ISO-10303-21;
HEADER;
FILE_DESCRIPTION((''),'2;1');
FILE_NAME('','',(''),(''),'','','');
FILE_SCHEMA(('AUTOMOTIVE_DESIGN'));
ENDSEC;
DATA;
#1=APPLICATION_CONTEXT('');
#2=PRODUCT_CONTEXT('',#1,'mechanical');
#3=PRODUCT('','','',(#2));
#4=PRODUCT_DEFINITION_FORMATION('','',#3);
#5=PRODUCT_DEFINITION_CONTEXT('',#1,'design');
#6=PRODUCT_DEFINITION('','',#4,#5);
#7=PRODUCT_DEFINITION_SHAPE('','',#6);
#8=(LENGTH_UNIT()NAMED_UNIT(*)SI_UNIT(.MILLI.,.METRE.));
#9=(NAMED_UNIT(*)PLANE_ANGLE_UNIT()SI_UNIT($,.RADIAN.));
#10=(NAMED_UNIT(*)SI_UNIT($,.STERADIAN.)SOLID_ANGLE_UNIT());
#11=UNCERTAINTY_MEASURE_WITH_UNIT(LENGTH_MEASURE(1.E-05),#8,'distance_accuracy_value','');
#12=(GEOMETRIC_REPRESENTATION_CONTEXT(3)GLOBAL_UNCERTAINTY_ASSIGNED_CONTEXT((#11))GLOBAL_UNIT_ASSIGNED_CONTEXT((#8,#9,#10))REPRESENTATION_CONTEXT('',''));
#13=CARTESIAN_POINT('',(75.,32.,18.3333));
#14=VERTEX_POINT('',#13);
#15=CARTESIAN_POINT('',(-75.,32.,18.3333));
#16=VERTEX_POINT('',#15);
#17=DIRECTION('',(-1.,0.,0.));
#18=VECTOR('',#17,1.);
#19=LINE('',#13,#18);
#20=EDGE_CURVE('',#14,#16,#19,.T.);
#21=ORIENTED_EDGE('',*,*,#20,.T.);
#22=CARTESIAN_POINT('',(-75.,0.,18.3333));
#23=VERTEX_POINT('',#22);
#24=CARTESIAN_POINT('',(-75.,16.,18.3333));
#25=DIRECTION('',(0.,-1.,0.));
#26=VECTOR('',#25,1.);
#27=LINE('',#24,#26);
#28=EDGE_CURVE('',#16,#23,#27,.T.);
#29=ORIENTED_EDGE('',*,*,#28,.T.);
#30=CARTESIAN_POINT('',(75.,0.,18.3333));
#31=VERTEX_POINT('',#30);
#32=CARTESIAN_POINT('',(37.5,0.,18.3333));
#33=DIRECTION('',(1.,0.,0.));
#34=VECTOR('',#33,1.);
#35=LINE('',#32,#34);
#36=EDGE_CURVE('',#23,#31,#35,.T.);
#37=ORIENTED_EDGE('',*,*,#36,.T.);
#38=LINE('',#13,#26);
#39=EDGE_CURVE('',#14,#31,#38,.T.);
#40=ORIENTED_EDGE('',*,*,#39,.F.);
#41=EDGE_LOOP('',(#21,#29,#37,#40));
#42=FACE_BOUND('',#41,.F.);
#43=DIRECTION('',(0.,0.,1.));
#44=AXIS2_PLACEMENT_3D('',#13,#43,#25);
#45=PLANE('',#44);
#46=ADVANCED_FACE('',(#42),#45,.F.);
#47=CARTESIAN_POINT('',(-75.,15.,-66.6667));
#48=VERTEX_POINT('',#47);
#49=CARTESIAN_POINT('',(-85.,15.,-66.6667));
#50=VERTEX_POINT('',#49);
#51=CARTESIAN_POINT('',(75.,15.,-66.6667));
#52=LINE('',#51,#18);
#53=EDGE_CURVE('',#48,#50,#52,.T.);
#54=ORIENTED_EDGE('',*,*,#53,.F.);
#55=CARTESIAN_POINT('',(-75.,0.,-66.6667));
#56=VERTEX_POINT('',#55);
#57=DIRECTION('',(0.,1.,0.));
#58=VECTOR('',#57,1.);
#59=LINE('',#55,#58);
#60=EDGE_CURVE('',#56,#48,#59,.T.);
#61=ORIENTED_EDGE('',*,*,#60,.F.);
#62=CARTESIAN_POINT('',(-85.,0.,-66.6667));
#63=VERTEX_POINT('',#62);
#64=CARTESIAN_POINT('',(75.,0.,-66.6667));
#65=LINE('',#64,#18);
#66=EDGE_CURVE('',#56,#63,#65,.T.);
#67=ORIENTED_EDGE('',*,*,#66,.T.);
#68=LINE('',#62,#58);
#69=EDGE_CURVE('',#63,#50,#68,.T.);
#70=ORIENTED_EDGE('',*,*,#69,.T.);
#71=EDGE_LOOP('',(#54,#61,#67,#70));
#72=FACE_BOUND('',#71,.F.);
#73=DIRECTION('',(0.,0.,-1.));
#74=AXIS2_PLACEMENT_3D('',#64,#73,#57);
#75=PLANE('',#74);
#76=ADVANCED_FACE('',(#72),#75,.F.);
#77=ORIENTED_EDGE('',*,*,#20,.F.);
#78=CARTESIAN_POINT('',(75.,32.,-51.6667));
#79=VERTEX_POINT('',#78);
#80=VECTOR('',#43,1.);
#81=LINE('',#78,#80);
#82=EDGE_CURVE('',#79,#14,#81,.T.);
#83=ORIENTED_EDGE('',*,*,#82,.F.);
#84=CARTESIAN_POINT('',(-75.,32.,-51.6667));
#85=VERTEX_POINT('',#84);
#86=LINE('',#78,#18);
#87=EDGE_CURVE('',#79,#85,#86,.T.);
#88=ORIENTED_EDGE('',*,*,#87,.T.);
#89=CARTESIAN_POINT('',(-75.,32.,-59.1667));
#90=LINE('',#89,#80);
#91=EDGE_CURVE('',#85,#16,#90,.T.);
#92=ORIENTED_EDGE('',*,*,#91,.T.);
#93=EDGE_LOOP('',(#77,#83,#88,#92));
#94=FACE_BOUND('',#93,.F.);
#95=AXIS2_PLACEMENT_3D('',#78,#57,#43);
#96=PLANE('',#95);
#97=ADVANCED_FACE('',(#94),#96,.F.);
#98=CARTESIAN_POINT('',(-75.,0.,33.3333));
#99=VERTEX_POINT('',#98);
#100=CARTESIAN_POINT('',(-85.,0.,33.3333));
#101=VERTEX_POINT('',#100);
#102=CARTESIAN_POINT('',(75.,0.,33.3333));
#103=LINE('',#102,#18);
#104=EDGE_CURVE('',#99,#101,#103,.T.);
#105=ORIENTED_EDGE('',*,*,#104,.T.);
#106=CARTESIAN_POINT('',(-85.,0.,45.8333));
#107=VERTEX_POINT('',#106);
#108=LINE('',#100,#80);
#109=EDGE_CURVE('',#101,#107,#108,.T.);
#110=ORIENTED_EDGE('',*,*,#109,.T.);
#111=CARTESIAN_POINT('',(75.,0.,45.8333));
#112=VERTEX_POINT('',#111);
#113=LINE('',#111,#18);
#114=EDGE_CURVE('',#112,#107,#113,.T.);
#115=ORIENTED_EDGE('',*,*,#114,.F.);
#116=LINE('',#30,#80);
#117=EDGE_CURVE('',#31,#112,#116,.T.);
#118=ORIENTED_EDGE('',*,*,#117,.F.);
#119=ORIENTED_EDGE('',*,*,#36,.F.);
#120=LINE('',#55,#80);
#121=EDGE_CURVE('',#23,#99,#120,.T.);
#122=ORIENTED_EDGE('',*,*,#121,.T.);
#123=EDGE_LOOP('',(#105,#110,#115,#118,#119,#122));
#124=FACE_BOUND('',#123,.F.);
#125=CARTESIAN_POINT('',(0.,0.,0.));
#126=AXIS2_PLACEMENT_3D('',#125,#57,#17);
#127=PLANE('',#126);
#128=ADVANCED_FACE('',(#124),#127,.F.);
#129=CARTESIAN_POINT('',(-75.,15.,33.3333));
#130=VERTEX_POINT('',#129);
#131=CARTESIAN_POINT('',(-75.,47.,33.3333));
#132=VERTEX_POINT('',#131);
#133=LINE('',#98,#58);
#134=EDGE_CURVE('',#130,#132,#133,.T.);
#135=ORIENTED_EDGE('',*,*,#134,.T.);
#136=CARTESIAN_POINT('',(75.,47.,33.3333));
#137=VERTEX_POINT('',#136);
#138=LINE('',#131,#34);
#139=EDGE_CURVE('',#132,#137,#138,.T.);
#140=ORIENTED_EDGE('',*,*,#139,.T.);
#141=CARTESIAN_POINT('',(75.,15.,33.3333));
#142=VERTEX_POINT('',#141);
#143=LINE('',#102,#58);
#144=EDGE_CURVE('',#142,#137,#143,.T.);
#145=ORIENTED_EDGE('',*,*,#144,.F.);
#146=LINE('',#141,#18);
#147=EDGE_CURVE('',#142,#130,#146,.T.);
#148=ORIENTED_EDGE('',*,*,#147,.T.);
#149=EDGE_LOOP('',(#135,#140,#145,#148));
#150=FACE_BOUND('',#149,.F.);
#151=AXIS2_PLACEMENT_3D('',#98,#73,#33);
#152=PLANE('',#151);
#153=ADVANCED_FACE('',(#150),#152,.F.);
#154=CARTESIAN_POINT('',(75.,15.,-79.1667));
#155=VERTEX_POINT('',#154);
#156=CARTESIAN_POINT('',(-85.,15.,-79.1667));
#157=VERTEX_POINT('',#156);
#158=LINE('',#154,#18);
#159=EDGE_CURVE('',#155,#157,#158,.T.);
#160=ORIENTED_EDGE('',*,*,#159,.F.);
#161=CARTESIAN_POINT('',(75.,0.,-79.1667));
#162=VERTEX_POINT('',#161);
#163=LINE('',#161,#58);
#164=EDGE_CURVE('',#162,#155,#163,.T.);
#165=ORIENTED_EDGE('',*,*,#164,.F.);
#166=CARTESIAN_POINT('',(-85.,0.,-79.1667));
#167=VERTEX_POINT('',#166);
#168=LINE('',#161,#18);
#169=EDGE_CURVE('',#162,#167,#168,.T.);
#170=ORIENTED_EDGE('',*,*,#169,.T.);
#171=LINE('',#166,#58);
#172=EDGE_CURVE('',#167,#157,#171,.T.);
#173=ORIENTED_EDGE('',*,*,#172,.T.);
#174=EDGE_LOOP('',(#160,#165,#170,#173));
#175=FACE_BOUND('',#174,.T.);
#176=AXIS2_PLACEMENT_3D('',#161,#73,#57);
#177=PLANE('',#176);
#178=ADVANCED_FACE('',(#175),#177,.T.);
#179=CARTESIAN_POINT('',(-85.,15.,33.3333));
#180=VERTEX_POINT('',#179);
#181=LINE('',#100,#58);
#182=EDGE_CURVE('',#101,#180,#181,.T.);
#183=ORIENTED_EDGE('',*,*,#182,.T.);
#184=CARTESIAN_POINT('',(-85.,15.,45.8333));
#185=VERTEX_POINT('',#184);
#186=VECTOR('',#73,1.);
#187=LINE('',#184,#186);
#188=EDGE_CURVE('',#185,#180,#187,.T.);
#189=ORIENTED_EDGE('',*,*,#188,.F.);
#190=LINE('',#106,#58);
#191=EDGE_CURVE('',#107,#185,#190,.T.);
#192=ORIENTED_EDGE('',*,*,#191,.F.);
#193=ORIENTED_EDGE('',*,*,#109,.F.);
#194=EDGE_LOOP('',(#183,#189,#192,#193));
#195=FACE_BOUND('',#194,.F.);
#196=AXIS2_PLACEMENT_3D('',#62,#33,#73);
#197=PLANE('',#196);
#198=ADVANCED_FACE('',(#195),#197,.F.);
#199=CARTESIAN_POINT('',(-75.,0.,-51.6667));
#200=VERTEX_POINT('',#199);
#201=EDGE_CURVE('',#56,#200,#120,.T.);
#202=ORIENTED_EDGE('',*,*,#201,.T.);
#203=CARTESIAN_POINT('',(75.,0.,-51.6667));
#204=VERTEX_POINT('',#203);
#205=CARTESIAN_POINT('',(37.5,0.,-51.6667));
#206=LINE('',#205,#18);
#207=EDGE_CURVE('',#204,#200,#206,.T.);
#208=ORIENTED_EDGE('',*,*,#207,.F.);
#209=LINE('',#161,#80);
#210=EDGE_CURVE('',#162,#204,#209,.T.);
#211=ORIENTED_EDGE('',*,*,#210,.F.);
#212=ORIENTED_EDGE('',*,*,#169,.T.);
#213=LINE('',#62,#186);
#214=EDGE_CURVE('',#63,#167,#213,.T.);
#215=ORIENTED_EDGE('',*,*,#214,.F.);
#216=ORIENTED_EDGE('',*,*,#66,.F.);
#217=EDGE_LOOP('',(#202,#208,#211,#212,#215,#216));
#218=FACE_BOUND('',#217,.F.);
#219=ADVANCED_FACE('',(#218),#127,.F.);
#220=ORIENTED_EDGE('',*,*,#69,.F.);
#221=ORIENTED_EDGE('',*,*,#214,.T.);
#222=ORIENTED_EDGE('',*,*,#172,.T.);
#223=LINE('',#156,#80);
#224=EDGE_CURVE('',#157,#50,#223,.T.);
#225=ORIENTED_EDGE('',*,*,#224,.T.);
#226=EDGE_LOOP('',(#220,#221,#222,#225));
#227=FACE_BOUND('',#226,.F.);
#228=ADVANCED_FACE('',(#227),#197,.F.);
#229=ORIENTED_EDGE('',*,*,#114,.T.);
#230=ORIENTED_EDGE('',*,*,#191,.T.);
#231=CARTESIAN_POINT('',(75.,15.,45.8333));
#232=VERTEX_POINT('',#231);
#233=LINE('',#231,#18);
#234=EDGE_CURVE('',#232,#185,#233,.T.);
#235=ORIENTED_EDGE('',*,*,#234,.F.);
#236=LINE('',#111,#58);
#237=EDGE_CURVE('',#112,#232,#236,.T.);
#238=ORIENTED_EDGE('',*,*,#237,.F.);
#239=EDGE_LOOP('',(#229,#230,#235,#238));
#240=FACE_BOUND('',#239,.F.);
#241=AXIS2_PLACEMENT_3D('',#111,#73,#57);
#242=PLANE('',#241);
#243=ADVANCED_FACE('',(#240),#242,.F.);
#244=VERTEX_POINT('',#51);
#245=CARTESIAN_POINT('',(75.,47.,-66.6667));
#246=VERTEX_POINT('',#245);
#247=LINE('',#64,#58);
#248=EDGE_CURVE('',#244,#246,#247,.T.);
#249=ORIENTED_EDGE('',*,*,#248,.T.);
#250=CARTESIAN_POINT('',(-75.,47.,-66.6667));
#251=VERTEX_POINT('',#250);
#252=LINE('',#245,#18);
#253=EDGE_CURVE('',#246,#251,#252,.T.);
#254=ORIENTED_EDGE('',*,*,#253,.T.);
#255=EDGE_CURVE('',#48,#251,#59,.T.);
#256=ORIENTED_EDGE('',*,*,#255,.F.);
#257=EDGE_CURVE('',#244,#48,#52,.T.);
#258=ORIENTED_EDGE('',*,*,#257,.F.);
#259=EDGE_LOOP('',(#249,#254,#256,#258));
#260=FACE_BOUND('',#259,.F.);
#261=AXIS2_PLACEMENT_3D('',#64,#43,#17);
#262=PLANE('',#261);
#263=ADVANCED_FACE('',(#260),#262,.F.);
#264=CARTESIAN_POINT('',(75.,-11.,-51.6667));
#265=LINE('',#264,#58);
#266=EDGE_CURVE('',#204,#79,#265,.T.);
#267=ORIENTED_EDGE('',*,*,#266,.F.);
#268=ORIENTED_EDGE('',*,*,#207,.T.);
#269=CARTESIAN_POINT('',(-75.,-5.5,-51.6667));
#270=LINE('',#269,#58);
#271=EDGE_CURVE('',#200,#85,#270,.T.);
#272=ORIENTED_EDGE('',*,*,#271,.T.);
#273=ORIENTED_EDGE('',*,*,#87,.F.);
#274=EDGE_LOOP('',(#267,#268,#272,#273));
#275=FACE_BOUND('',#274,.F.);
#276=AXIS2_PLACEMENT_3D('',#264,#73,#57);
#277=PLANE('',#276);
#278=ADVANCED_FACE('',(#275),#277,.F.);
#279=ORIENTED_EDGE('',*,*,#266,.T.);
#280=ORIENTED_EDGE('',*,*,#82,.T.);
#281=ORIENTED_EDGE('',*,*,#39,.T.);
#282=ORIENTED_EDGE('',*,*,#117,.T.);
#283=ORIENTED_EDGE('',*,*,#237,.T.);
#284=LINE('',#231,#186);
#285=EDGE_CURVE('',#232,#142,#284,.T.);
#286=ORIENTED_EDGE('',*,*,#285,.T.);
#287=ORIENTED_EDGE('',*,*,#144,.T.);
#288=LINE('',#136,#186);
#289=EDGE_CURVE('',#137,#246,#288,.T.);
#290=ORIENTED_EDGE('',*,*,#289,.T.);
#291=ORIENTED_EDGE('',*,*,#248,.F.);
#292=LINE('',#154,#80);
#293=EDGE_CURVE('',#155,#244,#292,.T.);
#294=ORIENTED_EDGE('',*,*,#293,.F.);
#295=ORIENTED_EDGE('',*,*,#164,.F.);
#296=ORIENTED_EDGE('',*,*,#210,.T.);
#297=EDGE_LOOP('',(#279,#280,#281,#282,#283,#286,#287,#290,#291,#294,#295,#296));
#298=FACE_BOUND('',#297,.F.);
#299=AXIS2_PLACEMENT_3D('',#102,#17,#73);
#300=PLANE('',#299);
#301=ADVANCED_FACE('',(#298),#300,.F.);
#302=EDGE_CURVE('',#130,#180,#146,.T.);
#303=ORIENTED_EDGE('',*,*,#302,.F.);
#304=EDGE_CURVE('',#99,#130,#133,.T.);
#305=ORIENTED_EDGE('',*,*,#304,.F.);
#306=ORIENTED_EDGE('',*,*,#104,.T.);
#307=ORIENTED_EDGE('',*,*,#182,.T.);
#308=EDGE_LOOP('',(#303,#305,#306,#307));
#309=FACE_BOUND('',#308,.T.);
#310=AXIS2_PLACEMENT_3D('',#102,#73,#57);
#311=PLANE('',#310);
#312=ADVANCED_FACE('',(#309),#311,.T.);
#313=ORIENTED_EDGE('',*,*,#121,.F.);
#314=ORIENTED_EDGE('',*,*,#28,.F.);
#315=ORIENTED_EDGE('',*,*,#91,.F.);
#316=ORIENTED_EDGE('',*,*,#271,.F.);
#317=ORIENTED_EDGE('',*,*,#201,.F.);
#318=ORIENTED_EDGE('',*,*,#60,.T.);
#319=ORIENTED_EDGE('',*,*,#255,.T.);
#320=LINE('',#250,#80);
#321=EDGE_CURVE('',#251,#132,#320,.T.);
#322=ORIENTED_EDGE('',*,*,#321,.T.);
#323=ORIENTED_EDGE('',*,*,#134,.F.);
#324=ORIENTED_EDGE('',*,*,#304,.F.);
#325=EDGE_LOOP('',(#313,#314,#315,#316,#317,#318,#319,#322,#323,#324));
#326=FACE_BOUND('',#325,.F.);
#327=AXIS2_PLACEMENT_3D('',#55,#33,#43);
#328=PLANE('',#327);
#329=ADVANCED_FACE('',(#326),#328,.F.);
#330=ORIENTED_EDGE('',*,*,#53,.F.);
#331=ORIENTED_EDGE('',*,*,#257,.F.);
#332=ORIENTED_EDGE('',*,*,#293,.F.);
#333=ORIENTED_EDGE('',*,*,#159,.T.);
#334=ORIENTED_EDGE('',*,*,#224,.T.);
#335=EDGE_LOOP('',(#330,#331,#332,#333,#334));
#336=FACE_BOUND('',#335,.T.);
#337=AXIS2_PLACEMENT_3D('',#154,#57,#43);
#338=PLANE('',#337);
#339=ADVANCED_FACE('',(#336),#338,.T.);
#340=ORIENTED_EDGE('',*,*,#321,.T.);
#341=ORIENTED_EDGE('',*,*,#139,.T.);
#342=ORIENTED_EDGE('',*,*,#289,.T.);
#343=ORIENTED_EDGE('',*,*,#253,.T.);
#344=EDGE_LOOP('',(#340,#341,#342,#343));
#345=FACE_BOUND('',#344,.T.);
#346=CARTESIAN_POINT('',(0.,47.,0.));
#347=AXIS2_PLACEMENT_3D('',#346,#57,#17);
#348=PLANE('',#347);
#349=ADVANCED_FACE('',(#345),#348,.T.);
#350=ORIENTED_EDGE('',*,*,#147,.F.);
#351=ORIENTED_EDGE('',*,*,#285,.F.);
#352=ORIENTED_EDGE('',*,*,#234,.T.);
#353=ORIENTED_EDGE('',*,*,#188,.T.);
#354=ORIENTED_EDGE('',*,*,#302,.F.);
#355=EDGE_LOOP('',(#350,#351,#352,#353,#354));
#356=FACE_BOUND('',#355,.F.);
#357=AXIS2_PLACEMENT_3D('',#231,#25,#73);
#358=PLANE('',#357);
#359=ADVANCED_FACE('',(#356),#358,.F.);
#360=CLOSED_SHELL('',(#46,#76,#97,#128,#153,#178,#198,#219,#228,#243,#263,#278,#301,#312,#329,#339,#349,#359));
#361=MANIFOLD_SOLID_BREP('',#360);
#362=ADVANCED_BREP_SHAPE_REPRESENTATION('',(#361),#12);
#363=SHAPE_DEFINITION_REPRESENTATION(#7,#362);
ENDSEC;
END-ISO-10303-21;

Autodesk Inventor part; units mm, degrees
ref_plane "YZ Plane" through (0, 0, 0) normal (1, 0, 0) x (0, 1, 0)
ref_plane "XZ Plane" through (0, 0, 0) normal (0, 1, 0) x (-1, 0, 0)
ref_plane "XY Plane" through (0, 0, 0) normal (0, 0, 1) x (1, 0, 0)
sketch "Sketch1" plane through (0, 0, 0) normal (0, 1, 0) x (-1, 0, 0)
  line L0 (75, 33.3333) -> (-75, 33.3333)
  line L1 (-75, 33.3333) -> (-75, -66.6667)
  line L2 (-75, -66.6667) -> (75, -66.6667)
  line L3 (75, -66.6667) -> (75, 33.3333)
  point P0 (0, 0)
  dimension "d0" = 100
  dimension "d1" = 150
extrude "Extrusion1" add sketch "Sketch1" along normal blind 47
sketch "Sketch2" plane through (75, 0, 33.3333) normal (1, 0, 0) x (0, 0, -1)
  line L0 (15, -11) -> (85, -11)
  line L1 (85, -11) -> (85, 32)
  line L2 (85, 32) -> (15, 32)
  line L3 (15, 32) -> (15, -11)
  line L4 (0, 47) -> (100, 47) projected
  line L5 (100, 0) -> (100, 47) projected
  line L6 (0, 0) -> (0, 47) projected
  point P0 (33.3333, 0)
  dimension "d4" = 15
  dimension "d5" = 15
  dimension "d6" = 15
extrude "Extrusion2" cut sketch "Sketch2" against normal blind 200
sketch "Sketch3" plane through (75, 0, -66.6667) normal (1, 0, 0) x (0, 0, -1)
  line L0 (-100, 0) -> (-100, 47) projected
  line L1 (-100, 0) -> (-112.5, 0)
  line L2 (-112.5, 0) -> (-112.5, 15)
  line L3 (-112.5, 15) -> (-100, 15)
  line L4 (-100, 15) -> (-100, 0)
  line L5 (0, 0) -> (0, 47) projected
  line L6 (0, 0) -> (12.5, 0)
  line L7 (12.5, 0) -> (12.5, 15)
  line L8 (12.5, 15) -> (0, 15)
  line L9 (0, 15) -> (0, 0)
  point P0 (-66.6667, 0)
  point P1 (0, 15)
  dimension "d9" = 12.5
  dimension "d10" = 12.5
  dimension "d11" = 15
  dimension "d12" = 15
extrude "Extrusion3" add sketch "Sketch3" against normal blind 160
properties part number "ZadBabkaPodkladka" material "Aluminum 6061-AHC"
